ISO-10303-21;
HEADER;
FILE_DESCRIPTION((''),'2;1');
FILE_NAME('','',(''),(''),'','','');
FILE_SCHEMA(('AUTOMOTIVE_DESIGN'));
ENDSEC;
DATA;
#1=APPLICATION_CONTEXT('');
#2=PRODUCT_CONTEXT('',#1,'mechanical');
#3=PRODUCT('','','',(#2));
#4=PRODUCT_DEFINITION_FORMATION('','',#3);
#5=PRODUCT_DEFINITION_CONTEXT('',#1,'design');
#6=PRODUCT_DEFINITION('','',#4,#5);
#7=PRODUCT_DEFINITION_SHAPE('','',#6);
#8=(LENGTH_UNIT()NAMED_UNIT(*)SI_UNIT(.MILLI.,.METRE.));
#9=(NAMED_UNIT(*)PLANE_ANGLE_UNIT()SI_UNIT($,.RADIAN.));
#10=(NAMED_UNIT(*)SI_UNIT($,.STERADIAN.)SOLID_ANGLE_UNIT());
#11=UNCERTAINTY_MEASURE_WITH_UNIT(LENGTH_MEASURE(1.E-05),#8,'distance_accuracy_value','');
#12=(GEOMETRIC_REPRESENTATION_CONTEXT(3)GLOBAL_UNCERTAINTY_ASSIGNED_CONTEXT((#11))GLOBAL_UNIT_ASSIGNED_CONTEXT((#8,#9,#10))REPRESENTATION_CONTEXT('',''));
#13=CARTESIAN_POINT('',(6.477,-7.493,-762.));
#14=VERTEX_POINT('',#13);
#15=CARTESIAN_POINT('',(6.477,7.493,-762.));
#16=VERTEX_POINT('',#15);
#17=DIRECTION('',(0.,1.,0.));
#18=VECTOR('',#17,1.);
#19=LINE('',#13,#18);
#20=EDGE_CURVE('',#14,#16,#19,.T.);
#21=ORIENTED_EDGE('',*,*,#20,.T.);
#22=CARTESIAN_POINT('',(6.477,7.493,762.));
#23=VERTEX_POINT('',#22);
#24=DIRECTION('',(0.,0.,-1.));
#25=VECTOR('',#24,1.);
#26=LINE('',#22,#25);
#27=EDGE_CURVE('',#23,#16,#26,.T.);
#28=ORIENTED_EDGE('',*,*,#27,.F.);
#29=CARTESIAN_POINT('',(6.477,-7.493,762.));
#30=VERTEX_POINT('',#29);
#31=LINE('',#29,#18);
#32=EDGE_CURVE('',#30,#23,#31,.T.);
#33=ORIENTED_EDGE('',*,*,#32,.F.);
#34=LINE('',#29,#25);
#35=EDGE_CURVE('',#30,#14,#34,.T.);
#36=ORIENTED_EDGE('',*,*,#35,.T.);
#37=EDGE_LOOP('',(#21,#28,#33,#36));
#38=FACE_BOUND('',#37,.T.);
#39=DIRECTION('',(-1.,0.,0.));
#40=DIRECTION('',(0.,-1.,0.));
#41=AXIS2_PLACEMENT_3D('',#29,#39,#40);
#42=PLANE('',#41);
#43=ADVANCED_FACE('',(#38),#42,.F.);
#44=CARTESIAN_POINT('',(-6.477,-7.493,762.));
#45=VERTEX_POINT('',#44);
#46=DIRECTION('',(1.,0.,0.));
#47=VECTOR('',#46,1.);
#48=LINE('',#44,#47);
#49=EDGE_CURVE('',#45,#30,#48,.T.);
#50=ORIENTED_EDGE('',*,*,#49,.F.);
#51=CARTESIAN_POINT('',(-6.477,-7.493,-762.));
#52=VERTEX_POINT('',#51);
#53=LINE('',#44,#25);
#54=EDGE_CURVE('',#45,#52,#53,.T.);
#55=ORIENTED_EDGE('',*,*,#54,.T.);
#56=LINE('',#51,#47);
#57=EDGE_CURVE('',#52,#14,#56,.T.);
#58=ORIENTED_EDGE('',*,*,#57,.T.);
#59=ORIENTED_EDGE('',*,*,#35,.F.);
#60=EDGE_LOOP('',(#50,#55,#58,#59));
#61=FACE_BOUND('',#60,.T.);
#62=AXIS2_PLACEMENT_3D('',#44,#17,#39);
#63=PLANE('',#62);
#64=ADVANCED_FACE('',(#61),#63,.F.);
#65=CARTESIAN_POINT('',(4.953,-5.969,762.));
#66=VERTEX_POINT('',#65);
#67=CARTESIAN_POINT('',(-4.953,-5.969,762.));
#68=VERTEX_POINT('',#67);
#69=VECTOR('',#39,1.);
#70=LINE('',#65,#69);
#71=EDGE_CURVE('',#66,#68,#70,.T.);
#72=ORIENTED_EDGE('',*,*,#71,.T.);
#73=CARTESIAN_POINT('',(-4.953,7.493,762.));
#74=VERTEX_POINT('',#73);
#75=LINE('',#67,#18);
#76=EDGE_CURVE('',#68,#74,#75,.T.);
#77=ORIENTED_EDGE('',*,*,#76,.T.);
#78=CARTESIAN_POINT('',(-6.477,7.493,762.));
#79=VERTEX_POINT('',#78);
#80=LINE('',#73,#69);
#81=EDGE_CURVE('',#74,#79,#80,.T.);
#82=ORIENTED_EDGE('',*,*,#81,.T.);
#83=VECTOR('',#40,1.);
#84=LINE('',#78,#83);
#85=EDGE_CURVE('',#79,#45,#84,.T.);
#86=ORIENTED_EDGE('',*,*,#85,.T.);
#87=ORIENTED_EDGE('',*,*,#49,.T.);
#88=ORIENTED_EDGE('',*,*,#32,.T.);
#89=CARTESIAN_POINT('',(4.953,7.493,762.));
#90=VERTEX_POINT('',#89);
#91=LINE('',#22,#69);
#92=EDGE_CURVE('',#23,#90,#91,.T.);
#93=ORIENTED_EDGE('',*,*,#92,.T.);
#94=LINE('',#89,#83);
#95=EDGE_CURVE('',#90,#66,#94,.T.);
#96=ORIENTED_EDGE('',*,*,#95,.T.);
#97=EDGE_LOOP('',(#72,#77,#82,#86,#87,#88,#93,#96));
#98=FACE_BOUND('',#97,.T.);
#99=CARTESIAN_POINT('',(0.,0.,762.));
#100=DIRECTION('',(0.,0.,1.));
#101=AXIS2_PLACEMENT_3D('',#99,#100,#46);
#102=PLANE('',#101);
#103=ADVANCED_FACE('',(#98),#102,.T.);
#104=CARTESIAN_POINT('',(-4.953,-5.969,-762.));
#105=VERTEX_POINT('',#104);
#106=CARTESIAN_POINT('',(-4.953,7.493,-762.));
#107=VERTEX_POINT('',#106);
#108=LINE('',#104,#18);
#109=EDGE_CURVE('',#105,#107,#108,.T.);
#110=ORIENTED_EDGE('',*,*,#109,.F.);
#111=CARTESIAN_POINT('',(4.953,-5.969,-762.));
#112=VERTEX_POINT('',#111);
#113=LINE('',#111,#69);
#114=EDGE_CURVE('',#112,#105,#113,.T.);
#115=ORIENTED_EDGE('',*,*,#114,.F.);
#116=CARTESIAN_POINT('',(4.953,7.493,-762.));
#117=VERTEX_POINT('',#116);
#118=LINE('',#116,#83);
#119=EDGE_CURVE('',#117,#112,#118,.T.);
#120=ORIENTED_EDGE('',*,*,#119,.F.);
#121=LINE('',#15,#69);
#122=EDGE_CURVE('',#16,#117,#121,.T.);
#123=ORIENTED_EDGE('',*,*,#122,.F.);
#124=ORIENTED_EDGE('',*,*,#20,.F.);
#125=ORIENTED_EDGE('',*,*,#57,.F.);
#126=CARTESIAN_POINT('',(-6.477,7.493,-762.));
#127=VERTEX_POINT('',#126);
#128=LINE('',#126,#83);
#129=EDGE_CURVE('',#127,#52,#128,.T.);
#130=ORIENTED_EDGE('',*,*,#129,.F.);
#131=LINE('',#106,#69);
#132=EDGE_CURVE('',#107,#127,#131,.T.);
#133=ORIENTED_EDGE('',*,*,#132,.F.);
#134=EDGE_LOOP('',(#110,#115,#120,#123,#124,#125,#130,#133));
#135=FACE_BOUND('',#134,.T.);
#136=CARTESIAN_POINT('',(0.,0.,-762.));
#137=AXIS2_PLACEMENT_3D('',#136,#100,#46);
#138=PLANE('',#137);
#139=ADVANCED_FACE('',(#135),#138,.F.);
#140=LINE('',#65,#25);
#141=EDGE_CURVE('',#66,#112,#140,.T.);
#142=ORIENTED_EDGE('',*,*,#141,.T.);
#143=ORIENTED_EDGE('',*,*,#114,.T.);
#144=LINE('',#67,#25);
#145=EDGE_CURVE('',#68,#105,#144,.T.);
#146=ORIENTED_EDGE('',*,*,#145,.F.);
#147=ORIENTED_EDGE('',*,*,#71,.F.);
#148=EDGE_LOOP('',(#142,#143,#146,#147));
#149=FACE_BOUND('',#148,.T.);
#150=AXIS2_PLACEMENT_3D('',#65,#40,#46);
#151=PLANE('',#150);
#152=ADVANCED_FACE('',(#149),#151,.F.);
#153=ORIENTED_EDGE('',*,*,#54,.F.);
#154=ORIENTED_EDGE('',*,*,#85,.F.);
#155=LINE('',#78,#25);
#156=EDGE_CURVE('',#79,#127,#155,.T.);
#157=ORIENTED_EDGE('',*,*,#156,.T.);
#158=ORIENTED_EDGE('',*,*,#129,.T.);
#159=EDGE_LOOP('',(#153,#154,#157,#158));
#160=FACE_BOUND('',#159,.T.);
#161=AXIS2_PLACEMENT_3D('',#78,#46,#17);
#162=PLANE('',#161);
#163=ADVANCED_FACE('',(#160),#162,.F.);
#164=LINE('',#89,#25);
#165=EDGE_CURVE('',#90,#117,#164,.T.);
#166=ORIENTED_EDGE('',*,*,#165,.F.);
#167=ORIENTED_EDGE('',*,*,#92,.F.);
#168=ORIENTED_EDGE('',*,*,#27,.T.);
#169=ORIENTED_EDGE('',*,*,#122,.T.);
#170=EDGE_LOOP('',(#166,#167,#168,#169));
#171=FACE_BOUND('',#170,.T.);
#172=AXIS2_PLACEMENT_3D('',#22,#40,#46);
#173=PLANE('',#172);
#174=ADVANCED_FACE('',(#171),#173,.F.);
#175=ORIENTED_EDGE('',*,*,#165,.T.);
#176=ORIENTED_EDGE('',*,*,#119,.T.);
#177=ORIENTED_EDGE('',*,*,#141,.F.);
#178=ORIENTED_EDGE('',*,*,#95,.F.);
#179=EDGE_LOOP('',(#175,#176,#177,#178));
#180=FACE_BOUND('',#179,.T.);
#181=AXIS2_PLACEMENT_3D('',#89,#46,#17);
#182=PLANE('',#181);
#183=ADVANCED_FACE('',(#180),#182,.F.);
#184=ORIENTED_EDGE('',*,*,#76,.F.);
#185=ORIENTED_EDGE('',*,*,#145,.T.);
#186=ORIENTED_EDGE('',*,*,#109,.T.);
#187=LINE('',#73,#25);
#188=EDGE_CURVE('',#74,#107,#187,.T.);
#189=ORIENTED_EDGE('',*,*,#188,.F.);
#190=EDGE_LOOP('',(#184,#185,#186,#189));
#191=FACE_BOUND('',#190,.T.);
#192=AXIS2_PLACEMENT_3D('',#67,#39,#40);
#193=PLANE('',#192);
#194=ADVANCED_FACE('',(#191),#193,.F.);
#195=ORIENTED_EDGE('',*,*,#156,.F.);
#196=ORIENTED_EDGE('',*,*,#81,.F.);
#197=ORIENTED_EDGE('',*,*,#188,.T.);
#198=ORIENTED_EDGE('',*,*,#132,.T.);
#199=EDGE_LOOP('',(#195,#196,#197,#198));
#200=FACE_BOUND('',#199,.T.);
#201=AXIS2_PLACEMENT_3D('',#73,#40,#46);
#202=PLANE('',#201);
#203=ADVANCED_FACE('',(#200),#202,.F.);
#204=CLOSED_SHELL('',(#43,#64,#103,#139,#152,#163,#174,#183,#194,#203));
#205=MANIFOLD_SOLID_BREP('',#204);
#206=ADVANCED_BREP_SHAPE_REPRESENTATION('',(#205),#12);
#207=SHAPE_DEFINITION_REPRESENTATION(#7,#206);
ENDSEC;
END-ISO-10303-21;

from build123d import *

# Parameters (mm, degrees)
BOSS_EXTRUDE1_DEPTH = 762


with BuildPart() as part:
    # Sketch3 → Boss-Extrude1 (new, symmetric)
    with BuildSketch(Plane.XY):
        Polygon((-6.477, 7.493), (-6.477, -7.493), (6.477, -7.493), (6.477, 7.493), (4.953, 7.493), (4.953, -5.969), (-4.953, -5.969), (-4.953, 7.493), align=None)
    extrude(amount=BOSS_EXTRUDE1_DEPTH, both=True)


solid = part.part
